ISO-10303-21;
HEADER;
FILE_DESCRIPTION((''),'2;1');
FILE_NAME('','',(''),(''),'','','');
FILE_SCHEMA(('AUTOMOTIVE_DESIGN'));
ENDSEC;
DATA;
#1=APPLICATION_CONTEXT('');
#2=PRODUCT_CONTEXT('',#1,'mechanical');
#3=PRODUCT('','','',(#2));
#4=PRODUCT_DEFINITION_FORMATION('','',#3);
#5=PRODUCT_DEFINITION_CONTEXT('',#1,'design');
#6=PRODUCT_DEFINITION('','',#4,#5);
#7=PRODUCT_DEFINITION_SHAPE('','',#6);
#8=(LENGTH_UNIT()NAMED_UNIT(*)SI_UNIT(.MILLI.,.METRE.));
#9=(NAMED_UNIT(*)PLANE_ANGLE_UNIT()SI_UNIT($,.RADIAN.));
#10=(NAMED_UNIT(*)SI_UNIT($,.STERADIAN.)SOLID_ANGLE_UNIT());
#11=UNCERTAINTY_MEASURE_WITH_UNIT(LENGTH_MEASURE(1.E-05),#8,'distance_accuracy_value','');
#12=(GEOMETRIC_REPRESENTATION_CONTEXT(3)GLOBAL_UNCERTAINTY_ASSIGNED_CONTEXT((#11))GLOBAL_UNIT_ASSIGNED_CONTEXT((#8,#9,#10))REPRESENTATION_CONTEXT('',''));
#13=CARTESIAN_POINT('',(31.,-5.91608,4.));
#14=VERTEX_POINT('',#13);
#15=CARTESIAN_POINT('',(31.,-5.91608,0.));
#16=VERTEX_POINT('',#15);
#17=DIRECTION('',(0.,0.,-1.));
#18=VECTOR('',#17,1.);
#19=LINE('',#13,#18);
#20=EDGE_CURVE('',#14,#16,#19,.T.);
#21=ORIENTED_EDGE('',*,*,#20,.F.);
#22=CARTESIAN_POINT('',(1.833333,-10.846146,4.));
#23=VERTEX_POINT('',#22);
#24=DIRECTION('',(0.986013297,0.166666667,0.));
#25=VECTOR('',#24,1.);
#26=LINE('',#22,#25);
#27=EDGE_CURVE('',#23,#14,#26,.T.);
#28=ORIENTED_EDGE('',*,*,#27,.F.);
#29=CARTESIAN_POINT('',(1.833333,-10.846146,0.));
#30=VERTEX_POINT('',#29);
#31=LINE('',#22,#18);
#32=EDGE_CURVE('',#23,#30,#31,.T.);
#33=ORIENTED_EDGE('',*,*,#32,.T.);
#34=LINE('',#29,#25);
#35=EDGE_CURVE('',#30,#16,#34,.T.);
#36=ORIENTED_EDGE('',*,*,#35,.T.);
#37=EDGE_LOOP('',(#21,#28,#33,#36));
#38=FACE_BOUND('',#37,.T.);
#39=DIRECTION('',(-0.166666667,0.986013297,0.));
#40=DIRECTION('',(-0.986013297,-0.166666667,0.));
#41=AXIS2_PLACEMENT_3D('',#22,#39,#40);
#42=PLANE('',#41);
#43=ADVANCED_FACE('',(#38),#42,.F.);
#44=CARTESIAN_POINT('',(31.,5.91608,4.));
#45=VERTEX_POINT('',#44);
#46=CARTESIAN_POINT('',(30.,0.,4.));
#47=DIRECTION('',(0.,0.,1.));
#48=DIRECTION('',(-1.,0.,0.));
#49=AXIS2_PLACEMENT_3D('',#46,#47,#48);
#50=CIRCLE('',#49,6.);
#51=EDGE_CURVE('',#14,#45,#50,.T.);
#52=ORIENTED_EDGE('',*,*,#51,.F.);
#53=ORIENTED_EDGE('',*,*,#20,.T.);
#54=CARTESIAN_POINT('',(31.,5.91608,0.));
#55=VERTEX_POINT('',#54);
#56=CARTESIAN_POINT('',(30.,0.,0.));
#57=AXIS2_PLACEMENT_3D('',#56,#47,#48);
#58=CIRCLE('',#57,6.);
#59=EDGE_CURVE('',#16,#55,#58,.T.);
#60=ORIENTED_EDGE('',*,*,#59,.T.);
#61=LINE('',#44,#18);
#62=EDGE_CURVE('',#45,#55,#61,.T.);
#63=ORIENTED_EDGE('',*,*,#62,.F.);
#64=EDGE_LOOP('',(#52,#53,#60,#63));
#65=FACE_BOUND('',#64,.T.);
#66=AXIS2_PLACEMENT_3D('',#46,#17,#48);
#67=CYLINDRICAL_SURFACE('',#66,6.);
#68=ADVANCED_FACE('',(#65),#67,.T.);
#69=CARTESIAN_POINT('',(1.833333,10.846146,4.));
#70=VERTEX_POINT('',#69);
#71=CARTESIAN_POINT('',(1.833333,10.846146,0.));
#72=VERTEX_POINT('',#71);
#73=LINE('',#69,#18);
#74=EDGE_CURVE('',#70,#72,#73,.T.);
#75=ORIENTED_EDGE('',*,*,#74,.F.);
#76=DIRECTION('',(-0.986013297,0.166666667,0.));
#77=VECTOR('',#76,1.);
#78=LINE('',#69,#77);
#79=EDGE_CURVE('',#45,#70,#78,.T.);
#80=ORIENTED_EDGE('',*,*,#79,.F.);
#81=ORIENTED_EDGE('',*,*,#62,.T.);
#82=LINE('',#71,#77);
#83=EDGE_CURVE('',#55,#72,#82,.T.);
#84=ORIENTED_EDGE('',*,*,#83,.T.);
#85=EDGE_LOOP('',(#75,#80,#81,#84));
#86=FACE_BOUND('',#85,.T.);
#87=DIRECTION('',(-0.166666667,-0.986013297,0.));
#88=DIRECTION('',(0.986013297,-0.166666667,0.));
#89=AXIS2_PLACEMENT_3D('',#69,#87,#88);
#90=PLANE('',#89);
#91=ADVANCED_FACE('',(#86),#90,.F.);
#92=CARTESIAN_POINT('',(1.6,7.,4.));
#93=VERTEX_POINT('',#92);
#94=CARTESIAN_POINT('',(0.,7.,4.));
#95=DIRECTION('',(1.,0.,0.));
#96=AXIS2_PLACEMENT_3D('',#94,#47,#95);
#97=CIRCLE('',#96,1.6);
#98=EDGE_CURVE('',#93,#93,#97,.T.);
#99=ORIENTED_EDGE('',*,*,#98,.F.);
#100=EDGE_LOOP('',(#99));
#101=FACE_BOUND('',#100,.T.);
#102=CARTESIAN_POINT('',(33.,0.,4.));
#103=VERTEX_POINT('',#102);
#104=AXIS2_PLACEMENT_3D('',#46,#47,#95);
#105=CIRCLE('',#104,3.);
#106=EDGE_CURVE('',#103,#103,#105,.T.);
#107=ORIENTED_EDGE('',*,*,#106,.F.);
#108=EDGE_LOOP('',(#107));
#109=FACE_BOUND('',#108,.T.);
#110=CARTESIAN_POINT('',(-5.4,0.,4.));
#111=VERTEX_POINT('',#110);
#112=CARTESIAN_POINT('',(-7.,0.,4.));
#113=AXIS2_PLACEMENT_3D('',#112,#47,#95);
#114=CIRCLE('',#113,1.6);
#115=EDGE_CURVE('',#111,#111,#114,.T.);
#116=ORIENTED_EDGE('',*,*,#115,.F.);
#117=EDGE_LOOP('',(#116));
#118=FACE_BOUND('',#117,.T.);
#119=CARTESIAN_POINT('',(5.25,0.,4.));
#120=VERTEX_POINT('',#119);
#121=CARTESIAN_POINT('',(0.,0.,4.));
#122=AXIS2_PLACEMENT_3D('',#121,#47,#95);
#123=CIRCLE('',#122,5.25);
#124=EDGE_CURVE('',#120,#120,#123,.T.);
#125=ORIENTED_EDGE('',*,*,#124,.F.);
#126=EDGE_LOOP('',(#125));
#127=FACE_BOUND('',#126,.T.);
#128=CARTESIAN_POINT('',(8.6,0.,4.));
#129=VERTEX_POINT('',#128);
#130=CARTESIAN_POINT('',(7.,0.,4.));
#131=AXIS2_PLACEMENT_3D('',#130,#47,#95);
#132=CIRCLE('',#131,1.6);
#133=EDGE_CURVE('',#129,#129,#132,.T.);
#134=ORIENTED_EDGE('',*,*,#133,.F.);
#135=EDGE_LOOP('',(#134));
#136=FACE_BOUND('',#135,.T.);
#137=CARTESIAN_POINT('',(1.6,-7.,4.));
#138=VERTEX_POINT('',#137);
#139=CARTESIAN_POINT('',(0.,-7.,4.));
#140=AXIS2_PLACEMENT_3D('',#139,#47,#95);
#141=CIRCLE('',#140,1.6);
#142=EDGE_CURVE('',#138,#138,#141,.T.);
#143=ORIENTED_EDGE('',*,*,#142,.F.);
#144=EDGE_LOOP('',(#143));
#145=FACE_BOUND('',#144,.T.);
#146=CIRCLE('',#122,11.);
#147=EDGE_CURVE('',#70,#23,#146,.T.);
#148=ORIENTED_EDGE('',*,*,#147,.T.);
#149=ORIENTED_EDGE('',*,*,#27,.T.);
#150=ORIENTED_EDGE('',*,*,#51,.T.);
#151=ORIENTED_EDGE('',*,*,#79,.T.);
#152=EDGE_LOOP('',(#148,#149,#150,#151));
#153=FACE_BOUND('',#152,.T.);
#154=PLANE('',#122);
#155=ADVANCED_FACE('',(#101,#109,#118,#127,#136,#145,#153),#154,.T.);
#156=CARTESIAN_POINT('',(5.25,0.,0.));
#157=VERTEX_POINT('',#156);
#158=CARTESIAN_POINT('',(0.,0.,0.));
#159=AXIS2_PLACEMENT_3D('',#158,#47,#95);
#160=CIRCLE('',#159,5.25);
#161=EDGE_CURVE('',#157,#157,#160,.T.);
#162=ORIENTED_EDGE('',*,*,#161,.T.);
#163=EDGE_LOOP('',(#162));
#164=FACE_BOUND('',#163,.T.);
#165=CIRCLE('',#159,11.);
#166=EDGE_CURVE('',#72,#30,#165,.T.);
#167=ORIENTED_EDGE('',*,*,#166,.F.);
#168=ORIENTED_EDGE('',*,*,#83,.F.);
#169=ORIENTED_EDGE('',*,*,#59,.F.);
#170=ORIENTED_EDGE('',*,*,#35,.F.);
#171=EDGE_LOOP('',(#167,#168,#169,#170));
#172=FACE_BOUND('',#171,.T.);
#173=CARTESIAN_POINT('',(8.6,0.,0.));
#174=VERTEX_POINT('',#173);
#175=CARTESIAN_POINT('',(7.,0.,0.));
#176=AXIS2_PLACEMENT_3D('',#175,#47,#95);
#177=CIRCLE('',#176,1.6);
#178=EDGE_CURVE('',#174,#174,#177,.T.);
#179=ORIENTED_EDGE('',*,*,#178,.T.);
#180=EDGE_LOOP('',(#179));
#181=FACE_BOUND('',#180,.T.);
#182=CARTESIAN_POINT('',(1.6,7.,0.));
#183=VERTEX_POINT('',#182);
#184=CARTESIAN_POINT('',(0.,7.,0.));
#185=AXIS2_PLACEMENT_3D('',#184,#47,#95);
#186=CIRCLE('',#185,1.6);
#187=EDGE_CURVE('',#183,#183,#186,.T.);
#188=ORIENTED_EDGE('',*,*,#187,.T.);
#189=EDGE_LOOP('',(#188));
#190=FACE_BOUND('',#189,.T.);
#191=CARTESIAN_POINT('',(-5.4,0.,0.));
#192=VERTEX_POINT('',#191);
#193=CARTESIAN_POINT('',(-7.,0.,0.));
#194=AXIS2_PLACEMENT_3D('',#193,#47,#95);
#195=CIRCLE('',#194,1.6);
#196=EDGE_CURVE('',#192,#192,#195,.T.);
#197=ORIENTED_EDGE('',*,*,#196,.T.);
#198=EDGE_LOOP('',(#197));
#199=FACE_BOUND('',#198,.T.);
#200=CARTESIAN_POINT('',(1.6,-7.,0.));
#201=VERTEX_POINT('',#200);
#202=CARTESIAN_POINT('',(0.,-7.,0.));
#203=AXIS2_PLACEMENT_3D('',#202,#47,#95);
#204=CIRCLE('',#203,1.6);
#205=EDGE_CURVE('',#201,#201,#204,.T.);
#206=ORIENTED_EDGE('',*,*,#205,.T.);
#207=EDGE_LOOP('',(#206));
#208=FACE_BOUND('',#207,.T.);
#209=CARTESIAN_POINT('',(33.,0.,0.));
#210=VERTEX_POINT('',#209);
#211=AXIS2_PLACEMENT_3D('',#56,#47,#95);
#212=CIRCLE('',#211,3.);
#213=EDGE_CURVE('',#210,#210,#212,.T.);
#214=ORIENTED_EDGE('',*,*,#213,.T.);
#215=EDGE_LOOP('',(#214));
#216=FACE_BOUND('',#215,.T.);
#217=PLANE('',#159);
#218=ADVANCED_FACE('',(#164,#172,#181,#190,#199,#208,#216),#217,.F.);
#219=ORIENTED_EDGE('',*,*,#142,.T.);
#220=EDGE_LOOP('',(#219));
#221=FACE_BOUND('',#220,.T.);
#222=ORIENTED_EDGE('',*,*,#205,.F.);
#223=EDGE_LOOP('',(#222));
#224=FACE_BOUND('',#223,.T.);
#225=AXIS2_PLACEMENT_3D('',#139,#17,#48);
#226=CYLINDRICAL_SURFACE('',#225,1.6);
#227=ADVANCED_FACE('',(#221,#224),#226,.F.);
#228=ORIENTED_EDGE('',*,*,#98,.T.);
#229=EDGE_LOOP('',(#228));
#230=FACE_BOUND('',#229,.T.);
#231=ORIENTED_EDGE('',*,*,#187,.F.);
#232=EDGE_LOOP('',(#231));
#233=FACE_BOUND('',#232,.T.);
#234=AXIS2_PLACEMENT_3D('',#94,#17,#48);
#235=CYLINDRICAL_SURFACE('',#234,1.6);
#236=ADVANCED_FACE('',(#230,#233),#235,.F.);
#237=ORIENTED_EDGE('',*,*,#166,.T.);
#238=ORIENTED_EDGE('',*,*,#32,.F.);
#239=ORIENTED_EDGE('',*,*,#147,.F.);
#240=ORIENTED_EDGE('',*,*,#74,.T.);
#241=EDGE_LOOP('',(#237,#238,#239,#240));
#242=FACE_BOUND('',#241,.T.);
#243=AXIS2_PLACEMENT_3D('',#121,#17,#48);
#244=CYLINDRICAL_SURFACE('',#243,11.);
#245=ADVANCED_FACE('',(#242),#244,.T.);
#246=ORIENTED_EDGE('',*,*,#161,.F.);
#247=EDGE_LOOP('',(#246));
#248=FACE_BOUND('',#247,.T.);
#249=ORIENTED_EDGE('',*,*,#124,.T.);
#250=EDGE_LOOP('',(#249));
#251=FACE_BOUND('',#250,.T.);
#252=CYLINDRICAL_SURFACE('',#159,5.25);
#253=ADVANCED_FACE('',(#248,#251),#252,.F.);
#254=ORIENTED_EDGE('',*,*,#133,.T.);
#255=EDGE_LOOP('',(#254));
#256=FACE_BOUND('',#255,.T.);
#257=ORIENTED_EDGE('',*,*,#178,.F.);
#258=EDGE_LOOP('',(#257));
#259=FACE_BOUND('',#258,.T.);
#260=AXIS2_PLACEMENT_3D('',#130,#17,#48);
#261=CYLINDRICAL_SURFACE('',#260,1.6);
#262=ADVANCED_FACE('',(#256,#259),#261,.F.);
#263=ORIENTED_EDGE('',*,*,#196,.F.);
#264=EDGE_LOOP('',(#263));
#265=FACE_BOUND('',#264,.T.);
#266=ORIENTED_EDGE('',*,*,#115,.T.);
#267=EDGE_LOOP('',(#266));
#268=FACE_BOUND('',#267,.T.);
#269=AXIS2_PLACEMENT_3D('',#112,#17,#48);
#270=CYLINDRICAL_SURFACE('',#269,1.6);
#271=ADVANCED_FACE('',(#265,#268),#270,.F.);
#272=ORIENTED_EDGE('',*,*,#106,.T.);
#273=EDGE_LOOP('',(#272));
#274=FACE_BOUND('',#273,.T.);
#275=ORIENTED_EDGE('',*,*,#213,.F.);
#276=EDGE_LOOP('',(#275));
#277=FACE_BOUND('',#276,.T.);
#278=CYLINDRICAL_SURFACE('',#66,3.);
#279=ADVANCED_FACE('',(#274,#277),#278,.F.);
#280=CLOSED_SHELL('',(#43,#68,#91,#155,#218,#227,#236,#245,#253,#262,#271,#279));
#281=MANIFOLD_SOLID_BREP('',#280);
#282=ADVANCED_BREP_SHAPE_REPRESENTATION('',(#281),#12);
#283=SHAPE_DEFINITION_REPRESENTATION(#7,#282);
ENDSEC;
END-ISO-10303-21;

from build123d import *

# Parameters (mm, degrees)
SKETCH_1_R          = 1.6
SKETCH_1_R_2        = 3
EXTRUDE_1_DEPTH     = 4
SKETCH_4_R          = 5.25
CUT_EXTRUDE_3_DEPTH = 38.854986461


with BuildPart() as part:
    # 草图1 → 凸台-拉伸1 (new body)
    with BuildSketch(Plane.XY):
        with BuildLine():
            Line((1.833333333, 10.846146269), (31, 5.916079783))
            ThreePointArc((31, 5.916079783), (36, 0), (31, -5.916079783))
            Line((31, -5.916079783), (1.833333333, -10.846146269))
            ThreePointArc((1.833333333, -10.846146269), (-11, 0), (1.833333333, 10.846146269))
        make_face()
        with Locations((0, 7)):
            Circle(SKETCH_1_R, mode=Mode.SUBTRACT)
        with Locations((-7, 0)):
            Circle(SKETCH_1_R, mode=Mode.SUBTRACT)
        with Locations((0, -7)):
            Circle(SKETCH_1_R, mode=Mode.SUBTRACT)
        with Locations((7, 0)):
            Circle(SKETCH_1_R, mode=Mode.SUBTRACT)
        with Locations((30, 0)):
            Circle(SKETCH_1_R_2, mode=Mode.SUBTRACT)
    extrude(amount=EXTRUDE_1_DEPTH)

    # 草图4 → 切除-拉伸3 (cut, through all)
    with BuildSketch(Plane.XY.offset(4)):
        Circle(SKETCH_4_R)
    extrude(amount=-CUT_EXTRUDE_3_DEPTH, mode=Mode.SUBTRACT)


solid = part.part
